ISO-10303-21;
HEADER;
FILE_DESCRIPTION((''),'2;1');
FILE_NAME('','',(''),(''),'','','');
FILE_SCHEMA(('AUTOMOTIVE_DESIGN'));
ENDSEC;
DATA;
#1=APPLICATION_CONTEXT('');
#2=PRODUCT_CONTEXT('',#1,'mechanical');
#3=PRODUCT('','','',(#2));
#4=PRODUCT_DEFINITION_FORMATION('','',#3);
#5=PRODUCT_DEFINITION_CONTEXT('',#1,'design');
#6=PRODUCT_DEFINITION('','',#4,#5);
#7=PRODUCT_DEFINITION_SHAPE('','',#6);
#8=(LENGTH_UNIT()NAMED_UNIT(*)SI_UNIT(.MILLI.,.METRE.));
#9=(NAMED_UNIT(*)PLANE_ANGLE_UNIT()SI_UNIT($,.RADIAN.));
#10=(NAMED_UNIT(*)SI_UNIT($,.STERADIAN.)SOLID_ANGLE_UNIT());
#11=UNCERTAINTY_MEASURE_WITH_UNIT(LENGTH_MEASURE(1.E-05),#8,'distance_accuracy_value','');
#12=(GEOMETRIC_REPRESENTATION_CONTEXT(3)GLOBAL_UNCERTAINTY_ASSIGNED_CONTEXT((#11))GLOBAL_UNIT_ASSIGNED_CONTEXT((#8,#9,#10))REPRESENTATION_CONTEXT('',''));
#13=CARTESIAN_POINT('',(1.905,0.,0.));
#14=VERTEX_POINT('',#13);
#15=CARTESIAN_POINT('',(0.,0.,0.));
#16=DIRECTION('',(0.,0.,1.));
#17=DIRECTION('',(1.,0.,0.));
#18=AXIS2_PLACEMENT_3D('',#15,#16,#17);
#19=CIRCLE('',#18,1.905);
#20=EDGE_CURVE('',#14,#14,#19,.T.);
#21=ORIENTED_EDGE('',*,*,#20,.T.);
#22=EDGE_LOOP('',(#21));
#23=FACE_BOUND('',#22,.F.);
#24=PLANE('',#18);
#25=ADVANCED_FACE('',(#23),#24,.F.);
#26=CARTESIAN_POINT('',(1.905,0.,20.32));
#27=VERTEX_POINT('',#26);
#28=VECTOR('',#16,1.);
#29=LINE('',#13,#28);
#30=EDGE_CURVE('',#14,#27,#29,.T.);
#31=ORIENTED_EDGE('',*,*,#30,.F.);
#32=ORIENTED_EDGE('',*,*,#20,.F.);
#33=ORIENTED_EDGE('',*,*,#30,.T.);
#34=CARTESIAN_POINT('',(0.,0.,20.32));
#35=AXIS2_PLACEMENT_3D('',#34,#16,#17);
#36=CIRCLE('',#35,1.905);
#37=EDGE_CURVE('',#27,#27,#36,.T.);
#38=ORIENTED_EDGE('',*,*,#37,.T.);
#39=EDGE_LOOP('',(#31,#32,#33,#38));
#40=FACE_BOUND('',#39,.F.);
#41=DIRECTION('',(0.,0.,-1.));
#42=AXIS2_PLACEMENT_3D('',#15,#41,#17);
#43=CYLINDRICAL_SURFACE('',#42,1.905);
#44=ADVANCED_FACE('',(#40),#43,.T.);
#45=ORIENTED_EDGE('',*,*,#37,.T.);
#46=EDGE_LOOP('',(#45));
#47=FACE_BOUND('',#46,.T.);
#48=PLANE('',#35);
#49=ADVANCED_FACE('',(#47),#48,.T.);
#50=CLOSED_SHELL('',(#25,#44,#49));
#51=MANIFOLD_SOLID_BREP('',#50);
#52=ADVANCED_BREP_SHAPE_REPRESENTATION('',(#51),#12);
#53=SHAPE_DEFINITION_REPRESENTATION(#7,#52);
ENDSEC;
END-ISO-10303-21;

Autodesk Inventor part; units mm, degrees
ref_plane "YZ Plane" through (0, 0, 0) normal (1, 0, 0) x (0, 1, 0)
ref_plane "XZ Plane" through (0, 0, 0) normal (0, 1, 0) x (-1, 0, 0)
ref_plane "XY Plane" through (0, 0, 0) normal (0, 0, 1) x (1, 0, 0)
sketch "Sketch1" plane through (0, 0, 0) normal (0, 0, 1) x (1, 0, 0)
  circle A0 centre (0, 0) radius 1.905
  dimension "d0" = 3.81
extrude "Extrusion1" add sketch "Sketch1" along normal blind 20.32
properties part number "BatteryCaseRedWire" material "ABS Plastic"
